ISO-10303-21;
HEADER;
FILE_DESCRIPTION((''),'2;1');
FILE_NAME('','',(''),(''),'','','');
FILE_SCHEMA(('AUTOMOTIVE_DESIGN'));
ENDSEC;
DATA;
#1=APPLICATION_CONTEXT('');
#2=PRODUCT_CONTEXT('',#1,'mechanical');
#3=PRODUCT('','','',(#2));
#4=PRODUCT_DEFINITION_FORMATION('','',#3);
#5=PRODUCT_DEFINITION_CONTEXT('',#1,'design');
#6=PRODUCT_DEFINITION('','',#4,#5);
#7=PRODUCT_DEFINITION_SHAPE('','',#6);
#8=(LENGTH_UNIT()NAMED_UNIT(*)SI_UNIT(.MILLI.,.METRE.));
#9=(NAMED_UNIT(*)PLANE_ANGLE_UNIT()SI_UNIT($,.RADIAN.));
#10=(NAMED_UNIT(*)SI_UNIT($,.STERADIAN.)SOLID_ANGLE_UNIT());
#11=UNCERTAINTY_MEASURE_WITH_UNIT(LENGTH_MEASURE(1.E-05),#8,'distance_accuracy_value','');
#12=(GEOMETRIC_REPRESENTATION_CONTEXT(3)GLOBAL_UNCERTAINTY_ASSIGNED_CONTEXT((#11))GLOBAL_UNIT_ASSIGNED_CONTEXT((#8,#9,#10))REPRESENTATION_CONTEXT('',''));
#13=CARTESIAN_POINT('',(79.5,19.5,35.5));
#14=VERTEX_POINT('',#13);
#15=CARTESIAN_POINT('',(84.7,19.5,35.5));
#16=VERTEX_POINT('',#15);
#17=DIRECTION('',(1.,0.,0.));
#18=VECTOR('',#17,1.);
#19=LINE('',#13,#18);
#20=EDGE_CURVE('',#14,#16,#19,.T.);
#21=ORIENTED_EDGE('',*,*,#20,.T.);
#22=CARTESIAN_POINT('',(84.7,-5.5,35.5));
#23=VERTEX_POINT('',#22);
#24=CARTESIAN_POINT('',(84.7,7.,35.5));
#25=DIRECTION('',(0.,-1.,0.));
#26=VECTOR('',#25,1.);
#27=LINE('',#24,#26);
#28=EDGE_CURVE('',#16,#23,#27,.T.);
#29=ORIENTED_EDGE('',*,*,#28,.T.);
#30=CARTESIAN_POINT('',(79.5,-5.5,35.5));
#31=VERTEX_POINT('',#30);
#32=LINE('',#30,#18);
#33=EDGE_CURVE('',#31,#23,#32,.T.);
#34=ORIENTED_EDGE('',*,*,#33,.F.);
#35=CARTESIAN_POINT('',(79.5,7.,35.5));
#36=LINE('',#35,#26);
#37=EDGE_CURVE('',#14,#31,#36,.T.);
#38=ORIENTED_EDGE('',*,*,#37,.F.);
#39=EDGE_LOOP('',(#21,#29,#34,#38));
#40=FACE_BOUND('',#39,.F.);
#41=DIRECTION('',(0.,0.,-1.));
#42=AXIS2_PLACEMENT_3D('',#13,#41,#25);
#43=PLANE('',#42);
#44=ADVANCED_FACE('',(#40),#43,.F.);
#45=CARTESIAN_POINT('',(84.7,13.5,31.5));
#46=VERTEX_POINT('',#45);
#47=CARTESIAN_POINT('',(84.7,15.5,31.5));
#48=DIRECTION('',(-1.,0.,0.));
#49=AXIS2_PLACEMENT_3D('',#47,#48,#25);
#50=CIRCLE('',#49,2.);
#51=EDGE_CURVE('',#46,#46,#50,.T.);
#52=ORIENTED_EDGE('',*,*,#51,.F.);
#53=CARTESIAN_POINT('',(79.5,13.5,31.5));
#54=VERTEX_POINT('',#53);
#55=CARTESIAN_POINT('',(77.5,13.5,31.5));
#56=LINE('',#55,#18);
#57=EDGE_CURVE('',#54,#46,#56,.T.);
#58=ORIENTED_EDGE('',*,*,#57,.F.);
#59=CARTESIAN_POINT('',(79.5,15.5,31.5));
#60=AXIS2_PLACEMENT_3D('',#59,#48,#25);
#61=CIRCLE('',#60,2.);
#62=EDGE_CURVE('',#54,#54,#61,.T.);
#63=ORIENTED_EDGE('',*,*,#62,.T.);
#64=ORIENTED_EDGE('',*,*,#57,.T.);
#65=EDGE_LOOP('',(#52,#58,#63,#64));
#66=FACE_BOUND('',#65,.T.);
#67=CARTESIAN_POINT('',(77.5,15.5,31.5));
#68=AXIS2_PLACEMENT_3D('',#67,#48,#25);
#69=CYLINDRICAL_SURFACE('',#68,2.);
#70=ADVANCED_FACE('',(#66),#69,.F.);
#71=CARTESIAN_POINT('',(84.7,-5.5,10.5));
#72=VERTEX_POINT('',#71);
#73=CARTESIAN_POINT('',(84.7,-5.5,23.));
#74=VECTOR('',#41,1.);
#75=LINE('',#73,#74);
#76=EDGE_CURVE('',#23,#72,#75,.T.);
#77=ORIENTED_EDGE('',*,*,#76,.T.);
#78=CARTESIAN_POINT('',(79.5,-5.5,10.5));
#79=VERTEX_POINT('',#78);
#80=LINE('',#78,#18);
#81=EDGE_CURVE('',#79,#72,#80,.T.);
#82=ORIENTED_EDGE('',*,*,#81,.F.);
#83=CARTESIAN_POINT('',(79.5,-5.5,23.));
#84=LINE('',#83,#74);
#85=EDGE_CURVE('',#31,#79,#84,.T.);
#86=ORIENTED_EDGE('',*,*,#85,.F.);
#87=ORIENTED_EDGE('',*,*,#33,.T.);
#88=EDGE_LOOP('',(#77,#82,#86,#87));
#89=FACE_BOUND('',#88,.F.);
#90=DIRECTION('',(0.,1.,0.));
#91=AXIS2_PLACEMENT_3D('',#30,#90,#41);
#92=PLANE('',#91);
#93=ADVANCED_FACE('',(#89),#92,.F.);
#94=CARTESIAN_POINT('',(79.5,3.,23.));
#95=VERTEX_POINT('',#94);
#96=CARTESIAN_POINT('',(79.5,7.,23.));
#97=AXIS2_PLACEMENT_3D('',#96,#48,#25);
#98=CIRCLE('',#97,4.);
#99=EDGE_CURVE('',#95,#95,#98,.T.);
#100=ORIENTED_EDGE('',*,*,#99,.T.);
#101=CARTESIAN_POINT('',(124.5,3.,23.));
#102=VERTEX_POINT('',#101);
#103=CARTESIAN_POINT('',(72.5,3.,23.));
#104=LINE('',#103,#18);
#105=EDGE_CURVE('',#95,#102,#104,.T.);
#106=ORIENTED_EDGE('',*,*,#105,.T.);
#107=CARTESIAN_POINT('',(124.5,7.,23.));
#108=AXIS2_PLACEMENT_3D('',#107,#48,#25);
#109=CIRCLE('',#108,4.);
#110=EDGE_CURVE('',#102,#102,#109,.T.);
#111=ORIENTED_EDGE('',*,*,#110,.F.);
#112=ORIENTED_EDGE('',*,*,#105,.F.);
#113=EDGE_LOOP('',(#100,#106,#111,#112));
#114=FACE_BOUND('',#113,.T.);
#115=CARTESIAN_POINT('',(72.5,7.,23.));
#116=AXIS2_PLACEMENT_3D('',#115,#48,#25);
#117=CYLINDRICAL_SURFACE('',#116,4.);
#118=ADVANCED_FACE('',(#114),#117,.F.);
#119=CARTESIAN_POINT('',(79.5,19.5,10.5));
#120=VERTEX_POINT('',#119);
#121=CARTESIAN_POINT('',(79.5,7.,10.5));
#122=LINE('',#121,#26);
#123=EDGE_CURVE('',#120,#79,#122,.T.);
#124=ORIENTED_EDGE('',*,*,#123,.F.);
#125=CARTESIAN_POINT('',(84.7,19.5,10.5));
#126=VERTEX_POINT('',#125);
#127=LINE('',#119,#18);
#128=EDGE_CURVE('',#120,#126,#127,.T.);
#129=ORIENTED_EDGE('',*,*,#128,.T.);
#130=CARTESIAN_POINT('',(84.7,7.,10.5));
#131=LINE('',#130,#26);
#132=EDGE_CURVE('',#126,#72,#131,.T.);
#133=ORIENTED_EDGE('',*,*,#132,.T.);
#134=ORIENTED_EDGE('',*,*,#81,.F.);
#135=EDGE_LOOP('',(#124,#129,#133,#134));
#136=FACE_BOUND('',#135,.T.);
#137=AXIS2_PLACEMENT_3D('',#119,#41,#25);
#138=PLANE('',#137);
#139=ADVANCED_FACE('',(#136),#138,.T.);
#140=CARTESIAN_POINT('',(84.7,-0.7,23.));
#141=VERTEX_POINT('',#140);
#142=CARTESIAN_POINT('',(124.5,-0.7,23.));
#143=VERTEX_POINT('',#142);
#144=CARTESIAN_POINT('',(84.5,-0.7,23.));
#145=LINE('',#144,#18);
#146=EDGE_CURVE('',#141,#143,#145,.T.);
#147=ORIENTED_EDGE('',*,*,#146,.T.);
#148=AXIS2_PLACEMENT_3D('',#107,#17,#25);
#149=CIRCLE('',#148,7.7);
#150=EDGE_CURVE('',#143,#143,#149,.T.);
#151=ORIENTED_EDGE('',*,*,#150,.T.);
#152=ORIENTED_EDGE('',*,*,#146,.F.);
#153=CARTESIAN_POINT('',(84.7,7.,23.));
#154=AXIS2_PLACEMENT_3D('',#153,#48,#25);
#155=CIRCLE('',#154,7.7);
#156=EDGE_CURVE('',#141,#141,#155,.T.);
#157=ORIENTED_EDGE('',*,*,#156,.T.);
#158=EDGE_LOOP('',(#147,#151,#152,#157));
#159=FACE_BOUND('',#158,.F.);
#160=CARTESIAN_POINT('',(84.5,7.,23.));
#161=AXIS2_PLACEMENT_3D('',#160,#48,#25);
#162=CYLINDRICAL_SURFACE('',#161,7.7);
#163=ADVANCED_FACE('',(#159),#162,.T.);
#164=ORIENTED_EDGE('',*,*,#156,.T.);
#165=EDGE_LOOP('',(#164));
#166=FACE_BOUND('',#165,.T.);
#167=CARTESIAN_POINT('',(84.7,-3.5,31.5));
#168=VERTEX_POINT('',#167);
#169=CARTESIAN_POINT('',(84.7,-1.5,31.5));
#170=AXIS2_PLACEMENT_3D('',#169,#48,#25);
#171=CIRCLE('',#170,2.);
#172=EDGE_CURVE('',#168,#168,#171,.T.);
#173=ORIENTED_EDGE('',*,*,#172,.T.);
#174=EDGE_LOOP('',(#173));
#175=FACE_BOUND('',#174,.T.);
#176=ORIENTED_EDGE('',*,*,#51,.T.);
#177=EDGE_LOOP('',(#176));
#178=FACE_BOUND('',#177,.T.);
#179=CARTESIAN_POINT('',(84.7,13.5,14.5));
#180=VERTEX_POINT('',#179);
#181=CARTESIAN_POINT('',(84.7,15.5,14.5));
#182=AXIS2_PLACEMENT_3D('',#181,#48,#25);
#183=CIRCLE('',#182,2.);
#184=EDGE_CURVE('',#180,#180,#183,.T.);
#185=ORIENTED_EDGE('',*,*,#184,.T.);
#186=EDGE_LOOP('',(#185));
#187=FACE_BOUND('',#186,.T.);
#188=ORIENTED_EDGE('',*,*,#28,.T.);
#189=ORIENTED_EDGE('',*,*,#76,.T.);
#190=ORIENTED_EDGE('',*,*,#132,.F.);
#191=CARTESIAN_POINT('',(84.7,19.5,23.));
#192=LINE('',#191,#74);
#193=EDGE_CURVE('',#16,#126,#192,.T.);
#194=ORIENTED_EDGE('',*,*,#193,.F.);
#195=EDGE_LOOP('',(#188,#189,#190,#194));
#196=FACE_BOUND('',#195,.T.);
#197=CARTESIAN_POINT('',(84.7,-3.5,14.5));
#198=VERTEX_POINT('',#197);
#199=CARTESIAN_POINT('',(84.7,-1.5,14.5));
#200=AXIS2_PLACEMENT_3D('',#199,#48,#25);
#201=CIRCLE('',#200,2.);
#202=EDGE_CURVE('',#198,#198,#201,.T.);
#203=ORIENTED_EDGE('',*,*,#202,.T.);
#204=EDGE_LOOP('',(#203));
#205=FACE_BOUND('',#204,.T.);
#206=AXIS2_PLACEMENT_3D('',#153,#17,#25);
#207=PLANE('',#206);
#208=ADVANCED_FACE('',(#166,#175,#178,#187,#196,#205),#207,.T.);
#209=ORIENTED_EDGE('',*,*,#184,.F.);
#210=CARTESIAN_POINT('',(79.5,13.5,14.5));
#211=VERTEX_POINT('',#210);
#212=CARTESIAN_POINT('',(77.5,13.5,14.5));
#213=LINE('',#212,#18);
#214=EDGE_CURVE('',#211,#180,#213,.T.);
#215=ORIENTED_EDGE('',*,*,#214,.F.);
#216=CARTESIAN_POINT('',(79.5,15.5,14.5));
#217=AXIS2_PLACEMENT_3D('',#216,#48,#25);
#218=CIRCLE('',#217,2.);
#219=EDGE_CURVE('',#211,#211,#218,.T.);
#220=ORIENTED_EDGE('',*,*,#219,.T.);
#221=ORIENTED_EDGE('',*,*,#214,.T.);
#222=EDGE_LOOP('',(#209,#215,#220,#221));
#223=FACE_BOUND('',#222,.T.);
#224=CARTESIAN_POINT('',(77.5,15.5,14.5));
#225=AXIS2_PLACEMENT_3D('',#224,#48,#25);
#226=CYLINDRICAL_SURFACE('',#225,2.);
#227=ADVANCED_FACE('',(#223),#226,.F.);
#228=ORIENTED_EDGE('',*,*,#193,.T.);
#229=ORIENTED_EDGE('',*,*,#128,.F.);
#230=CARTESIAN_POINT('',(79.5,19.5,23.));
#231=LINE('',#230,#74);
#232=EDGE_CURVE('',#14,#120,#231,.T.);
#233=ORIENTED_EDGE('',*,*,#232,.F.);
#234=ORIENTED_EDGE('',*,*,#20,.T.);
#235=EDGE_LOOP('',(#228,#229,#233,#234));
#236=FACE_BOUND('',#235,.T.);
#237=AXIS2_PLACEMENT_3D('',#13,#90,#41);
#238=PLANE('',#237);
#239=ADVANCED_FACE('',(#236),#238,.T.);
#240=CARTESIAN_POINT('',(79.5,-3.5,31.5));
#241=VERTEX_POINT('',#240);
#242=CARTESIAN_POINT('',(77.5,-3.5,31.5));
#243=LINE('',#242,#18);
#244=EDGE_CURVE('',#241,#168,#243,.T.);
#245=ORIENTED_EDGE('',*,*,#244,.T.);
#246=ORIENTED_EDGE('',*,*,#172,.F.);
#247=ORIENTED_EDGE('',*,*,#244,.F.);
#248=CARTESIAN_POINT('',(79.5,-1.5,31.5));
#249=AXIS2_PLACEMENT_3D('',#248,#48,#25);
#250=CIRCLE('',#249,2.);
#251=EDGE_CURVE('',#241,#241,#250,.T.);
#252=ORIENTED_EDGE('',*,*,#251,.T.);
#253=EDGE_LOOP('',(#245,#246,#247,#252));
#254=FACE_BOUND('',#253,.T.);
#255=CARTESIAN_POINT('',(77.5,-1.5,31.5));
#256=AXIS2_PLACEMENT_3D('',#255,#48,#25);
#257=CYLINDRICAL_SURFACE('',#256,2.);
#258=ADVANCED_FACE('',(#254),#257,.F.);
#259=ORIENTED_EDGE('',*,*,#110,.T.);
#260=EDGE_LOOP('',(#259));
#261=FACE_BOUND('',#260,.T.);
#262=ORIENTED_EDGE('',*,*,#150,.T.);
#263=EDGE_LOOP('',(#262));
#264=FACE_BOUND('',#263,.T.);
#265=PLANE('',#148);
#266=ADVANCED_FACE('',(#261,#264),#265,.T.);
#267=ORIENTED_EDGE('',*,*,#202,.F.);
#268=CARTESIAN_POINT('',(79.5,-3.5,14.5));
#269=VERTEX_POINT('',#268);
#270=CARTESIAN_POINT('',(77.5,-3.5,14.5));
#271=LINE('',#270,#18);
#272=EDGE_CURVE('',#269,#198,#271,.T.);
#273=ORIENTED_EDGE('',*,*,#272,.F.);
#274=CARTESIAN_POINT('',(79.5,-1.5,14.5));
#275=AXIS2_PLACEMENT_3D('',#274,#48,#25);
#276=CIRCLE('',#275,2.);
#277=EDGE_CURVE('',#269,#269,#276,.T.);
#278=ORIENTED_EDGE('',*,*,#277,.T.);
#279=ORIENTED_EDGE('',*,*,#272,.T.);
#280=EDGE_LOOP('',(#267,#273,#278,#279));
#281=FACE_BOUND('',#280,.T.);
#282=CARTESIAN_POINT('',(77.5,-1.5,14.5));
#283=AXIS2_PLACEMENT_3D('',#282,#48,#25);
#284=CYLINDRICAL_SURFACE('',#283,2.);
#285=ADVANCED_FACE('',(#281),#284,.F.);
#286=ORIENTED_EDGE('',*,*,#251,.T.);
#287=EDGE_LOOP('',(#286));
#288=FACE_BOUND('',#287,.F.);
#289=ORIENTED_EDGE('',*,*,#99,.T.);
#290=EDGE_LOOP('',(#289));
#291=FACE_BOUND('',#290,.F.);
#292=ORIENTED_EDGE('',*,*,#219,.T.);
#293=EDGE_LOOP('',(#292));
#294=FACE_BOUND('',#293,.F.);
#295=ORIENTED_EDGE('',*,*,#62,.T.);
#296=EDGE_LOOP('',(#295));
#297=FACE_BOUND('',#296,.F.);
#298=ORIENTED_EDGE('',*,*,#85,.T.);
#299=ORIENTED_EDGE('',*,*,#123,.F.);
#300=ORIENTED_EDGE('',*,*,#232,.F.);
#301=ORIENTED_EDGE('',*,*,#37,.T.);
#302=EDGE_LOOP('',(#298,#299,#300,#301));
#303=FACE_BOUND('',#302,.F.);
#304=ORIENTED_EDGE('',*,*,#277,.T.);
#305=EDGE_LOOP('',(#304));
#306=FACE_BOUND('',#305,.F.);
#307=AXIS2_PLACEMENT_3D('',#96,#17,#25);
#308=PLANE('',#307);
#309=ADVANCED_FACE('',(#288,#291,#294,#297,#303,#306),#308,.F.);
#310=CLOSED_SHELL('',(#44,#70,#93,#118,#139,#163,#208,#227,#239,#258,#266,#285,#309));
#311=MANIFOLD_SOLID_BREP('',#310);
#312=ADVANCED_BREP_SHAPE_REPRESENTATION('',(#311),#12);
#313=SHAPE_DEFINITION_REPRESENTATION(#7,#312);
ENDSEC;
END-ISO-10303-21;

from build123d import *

# Parameters (mm, degrees)
CYLINDER006_R          = 2
CYLINDER006_DEPTH      = 10
CYLINDER007_R          = 2
CYLINDER007_DEPTH      = 10
CYLINDER052_R          = 2
CYLINDER052_DEPTH      = 10
CYLINDER055_R          = 2
CYLINDER055_DEPTH      = 10
CYLINDER054_R          = 4
CYLINDER054_DEPTH      = 60
CYLINDER053_R          = 7.7
CYLINDER053_DEPTH      = 40
BOX019_W               = 25
BOX019_H               = 25
BOX019_DEPTH           = 5.2
CUT004_ROLL_ANGLE      = -90
CUT004_PLACEMENT_ANGLE = -90


with BuildPart() as cylinder006:
    # Cylinder006 → Cylinder006 (new body)
    with BuildSketch(Plane(origin=(21, 21, -2), x_dir=(1, 0, 0), z_dir=(0, 0, 1))):
        Circle(CYLINDER006_R)
    extrude(amount=CYLINDER006_DEPTH)


with BuildPart() as cylinder007:
    # Cylinder007 → Cylinder007 (new body)
    with BuildSketch(Plane(origin=(21, 4, -2), x_dir=(1, 0, 0), z_dir=(0, 0, 1))):
        Circle(CYLINDER007_R)
    extrude(amount=CYLINDER007_DEPTH)


with BuildPart() as cylinder052:
    # Cylinder052 → Cylinder052 (new body)
    with BuildSketch(Plane(origin=(4, 21, -2), x_dir=(1, 0, 0), z_dir=(0, 0, 1))):
        Circle(CYLINDER052_R)
    extrude(amount=CYLINDER052_DEPTH)


with BuildPart() as cylinder055:
    # Cylinder055 → Cylinder055 (new body)
    with BuildSketch(Plane(origin=(4, 4, -2), x_dir=(1, 0, 0), z_dir=(0, 0, 1))):
        Circle(CYLINDER055_R)
    extrude(amount=CYLINDER055_DEPTH)


with BuildPart() as cylinder054:
    # Cylinder054 → Cylinder054 (new body)
    with BuildSketch(Plane(origin=(12.5, 12.5, -7), x_dir=(1, 0, 0), z_dir=(0, 0, 1))):
        Circle(CYLINDER054_R)
    extrude(amount=CYLINDER054_DEPTH)


with BuildPart() as cylinder053:
    # Cylinder053 → Cylinder053 (new body)
    with BuildSketch(Plane(origin=(12.5, 12.5, 5), x_dir=(1, 0, 0), z_dir=(0, 0, 1))):
        Circle(CYLINDER053_R)
    extrude(amount=CYLINDER053_DEPTH)


with BuildPart() as cut004:
    # Box019 → Box019 (new body)
    with BuildSketch(Plane.XY):
        with Locations((12.5, 12.5)):
            Rectangle(BOX019_W, BOX019_H)
    extrude(amount=BOX019_DEPTH)

    # Fusion022: union Cylinder053
    add(cylinder053.part)

    # Cut: cut Cylinder054
    add(cylinder054.part, mode=Mode.SUBTRACT)

    # Cut001: cut Cylinder055
    add(cylinder055.part, mode=Mode.SUBTRACT)

    # Cut002: cut Cylinder052
    add(cylinder052.part, mode=Mode.SUBTRACT)

    # Cut003: cut Cylinder007
    add(cylinder007.part, mode=Mode.SUBTRACT)

    # Cut004: cut Cylinder006
    add(cylinder006.part, mode=Mode.SUBTRACT)


with BuildPart() as cut004_1:
    # Cut004 roll: moved
    add(cut004.part.rotate(Axis((0, 0, 0), (1, 0, 0)), CUT004_ROLL_ANGLE))


with BuildPart() as cut004_2:
    # Cut004 placement: moved
    add(cut004_1.part.moved(Location((79.5, 19.5, 35.5))).rotate(Axis((79.5, 19.5, 35.5), (0, 0, 1)), CUT004_PLACEMENT_ANGLE))


solid = cut004_2.part
